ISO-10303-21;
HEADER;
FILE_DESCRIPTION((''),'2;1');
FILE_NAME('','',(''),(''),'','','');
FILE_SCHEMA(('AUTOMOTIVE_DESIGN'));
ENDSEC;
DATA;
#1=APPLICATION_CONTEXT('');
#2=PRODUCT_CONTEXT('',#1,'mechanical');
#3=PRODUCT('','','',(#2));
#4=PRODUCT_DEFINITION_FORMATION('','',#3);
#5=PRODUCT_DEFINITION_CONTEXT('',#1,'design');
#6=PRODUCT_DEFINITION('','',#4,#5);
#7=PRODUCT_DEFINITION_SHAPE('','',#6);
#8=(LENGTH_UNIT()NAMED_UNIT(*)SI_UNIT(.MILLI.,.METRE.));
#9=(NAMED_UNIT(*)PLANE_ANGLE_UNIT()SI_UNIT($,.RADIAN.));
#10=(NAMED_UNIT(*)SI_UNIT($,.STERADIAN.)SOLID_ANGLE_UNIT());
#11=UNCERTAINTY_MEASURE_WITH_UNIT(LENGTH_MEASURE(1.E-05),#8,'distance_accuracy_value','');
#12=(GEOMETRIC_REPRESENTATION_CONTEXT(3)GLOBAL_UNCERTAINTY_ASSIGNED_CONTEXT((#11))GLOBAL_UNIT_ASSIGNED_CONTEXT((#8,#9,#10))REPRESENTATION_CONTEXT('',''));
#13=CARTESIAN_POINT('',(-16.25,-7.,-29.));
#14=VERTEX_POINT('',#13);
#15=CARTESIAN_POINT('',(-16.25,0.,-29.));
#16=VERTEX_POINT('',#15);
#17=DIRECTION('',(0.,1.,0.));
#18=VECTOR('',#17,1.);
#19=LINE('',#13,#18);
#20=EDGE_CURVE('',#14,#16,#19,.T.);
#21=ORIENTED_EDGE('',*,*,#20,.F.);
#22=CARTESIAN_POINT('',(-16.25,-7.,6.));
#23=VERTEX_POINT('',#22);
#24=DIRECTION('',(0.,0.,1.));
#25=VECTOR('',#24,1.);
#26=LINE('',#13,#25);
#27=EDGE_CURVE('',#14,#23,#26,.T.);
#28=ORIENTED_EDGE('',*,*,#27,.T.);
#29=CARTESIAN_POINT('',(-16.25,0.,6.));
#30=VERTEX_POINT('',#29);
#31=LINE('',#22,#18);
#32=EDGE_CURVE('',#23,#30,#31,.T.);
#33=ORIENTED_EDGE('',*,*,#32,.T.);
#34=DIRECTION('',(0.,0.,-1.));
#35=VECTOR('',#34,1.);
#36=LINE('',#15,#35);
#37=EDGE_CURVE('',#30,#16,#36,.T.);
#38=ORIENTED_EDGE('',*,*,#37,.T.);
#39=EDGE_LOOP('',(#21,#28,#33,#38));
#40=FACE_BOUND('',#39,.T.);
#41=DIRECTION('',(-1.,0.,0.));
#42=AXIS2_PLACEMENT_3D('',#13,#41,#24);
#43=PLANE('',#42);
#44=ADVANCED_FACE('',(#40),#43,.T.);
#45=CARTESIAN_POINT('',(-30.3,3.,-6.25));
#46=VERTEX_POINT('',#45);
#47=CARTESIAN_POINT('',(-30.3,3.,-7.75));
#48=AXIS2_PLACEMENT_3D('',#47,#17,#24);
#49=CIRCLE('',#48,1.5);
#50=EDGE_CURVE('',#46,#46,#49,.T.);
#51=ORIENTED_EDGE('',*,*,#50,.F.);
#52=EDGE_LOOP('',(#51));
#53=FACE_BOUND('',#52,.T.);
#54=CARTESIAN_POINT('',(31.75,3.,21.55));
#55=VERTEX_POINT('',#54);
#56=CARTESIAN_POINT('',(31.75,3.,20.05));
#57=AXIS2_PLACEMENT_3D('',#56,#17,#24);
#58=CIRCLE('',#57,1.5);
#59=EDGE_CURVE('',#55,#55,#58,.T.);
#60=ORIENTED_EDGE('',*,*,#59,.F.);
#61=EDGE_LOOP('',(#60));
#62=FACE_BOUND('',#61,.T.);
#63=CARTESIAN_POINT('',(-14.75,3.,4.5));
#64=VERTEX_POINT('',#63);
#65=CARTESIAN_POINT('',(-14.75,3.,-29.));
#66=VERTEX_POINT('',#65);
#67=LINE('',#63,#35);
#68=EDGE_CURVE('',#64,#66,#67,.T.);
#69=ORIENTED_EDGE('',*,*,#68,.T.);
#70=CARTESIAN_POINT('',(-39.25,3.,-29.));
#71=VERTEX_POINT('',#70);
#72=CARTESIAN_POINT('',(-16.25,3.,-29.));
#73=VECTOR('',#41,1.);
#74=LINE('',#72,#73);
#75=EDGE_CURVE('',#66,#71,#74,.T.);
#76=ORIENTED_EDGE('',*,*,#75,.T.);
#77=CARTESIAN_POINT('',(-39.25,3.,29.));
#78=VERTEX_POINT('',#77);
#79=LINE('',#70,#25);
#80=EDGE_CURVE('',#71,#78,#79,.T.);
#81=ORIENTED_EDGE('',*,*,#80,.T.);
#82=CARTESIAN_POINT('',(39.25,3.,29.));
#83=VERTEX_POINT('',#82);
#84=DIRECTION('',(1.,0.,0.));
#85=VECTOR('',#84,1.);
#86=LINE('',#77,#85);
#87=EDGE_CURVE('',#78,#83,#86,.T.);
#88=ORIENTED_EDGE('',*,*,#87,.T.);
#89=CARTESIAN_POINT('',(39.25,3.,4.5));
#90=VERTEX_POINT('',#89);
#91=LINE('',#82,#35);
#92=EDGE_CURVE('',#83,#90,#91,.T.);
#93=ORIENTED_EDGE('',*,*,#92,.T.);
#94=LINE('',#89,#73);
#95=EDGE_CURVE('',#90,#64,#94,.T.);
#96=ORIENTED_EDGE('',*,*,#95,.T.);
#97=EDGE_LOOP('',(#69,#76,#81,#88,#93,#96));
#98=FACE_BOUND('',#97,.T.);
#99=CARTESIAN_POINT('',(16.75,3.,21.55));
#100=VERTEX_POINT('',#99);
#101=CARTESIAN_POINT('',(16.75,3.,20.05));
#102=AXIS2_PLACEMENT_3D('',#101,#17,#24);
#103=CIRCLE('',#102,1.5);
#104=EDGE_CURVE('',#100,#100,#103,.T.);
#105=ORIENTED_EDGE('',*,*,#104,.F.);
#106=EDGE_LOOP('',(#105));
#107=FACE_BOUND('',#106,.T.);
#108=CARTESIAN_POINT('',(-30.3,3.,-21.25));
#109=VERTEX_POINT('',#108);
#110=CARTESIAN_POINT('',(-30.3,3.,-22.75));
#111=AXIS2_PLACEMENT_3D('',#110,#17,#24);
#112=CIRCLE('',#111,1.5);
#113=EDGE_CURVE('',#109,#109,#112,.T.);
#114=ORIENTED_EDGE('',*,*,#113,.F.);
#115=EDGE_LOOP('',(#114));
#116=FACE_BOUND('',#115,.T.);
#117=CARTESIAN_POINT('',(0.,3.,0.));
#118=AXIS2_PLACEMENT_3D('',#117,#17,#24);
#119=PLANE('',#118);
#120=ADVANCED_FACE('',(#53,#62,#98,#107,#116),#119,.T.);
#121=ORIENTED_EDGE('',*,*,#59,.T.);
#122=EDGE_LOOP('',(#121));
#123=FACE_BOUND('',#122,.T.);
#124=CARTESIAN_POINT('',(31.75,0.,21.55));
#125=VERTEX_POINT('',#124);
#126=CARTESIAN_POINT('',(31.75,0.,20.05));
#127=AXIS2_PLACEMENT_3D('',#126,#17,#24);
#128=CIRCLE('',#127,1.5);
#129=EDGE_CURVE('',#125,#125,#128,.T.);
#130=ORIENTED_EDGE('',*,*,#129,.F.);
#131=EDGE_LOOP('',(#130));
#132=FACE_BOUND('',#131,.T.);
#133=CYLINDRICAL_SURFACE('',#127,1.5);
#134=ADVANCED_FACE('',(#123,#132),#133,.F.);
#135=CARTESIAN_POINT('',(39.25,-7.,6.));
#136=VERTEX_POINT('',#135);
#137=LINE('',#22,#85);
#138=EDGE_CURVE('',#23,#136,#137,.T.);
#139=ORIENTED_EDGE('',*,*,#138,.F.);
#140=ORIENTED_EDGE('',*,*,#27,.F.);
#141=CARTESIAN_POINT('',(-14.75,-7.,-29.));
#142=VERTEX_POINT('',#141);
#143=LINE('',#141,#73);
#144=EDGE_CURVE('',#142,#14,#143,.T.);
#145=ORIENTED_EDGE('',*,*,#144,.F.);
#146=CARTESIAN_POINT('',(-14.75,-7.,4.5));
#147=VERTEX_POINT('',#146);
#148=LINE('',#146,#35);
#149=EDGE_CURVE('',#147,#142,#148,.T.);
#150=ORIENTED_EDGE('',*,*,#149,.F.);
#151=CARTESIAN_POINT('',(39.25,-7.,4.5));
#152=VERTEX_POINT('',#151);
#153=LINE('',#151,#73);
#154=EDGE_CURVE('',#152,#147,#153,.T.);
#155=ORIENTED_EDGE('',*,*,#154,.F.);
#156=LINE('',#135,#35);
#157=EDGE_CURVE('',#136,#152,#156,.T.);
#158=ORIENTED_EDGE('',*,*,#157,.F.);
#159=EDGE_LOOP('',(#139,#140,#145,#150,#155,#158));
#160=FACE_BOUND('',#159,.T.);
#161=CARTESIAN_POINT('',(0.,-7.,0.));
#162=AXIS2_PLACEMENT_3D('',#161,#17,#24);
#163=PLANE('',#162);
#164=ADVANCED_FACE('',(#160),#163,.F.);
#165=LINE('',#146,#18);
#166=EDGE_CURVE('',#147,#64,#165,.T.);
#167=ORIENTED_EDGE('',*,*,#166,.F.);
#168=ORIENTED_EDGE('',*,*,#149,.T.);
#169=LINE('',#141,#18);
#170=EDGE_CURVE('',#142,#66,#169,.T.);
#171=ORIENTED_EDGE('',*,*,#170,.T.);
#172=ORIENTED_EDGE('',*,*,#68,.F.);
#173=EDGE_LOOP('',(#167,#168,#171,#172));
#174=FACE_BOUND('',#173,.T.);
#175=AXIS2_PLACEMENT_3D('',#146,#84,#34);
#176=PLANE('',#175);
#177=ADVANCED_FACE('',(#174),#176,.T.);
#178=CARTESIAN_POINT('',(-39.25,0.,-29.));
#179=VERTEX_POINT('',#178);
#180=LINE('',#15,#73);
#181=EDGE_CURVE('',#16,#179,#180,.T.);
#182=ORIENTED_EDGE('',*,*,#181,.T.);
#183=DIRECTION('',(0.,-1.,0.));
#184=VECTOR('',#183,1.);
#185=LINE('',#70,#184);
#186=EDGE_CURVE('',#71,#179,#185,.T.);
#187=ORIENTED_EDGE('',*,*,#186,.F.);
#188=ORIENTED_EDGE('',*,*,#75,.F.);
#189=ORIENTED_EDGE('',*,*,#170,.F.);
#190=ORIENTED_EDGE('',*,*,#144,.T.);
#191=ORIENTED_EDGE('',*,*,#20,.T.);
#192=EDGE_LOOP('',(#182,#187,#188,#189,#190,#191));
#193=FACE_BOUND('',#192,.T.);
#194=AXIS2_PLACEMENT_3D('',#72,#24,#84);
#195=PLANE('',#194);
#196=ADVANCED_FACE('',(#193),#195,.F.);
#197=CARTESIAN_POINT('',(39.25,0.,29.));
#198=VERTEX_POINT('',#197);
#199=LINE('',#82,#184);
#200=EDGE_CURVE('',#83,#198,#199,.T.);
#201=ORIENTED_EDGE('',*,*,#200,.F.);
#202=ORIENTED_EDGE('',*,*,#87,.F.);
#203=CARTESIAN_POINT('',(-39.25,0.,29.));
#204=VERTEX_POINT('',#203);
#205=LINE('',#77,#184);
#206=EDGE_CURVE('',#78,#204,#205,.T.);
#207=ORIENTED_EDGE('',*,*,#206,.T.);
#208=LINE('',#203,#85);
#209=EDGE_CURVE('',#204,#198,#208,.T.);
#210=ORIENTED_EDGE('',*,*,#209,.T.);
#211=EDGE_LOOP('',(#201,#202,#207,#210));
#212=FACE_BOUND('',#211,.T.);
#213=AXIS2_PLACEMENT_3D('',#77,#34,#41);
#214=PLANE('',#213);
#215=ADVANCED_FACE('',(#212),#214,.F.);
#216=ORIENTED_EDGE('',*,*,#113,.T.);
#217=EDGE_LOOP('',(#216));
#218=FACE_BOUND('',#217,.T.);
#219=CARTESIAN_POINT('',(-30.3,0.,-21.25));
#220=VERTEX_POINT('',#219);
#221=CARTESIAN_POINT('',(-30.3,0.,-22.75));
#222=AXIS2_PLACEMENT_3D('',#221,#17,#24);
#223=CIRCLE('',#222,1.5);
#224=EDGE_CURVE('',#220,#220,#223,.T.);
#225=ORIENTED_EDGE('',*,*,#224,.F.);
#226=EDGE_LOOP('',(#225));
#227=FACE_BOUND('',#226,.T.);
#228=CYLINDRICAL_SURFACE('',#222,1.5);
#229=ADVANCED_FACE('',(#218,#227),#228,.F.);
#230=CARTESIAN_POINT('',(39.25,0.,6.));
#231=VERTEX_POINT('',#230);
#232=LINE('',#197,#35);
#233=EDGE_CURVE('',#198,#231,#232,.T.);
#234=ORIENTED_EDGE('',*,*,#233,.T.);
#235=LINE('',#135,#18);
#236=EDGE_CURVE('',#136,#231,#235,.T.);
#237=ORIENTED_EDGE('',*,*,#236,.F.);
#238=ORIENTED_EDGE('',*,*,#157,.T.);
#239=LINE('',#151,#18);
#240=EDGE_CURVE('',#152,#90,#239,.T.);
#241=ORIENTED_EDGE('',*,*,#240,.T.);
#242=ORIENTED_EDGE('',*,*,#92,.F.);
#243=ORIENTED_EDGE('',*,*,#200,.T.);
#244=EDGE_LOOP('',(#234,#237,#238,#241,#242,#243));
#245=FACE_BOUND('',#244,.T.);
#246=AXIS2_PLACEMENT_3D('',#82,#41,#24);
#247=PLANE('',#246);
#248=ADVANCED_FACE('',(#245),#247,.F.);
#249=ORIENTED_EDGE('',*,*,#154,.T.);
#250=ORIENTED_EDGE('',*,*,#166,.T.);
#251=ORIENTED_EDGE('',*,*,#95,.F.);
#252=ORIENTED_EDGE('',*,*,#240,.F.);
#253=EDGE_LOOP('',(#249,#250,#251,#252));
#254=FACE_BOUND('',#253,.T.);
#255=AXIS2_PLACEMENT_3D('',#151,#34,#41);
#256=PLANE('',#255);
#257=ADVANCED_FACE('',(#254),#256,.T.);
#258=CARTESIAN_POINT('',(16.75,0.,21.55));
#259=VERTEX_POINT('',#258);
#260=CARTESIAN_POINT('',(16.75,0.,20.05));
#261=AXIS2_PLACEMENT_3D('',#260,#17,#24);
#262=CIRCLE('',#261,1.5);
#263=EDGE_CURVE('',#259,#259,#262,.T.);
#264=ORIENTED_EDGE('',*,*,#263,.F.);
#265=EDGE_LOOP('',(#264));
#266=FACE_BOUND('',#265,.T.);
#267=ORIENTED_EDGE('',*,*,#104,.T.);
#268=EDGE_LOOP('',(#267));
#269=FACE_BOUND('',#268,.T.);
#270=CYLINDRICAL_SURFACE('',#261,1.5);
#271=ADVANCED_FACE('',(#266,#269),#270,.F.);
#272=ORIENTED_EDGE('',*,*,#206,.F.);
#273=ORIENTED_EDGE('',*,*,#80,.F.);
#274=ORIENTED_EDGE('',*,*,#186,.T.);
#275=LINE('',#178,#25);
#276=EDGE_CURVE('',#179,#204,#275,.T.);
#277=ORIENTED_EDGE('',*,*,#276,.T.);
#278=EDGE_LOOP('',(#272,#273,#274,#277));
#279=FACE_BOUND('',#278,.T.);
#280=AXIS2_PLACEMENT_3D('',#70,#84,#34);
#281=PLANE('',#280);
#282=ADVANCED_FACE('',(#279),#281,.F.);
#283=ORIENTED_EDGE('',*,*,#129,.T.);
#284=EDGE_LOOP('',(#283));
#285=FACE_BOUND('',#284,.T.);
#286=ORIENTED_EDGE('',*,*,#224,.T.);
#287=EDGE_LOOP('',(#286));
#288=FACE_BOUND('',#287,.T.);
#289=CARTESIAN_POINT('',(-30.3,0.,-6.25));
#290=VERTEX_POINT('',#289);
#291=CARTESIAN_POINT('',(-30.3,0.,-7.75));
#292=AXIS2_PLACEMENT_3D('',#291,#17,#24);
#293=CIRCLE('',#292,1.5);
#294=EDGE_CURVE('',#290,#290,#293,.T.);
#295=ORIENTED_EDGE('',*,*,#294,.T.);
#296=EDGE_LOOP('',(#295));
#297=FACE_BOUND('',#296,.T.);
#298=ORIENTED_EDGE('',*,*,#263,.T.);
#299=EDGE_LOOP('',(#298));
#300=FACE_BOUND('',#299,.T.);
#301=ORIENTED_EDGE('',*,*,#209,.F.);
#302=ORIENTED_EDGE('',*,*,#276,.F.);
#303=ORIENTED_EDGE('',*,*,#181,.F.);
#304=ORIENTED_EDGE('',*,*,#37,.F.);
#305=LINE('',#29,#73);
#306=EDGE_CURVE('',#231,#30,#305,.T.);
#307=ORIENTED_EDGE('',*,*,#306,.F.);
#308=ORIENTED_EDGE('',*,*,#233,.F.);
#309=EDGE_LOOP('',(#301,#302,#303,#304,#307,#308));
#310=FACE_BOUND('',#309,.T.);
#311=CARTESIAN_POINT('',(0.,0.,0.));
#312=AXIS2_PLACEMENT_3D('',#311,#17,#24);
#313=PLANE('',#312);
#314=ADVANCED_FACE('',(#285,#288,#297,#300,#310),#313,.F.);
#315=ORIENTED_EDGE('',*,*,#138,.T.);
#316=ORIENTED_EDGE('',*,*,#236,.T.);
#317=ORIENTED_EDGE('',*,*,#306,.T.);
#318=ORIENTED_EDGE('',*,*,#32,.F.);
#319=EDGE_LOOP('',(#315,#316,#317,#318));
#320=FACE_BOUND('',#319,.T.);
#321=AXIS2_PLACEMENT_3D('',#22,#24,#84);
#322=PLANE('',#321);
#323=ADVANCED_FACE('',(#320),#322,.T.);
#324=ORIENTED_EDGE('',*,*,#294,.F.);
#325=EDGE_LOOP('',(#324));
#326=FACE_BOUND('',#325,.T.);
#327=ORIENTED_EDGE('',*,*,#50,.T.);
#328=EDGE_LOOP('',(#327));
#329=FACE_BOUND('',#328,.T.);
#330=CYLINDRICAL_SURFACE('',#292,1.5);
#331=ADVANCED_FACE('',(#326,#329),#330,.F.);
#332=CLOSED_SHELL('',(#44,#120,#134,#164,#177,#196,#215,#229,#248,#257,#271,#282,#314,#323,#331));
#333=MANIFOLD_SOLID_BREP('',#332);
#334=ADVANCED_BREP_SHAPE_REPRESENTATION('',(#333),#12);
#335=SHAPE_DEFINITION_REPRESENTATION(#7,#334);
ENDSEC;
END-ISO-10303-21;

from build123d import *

# Parameters (mm, degrees)
SALIENTE_EXTRUIR1_DEPTH = 3
CROQUIS2_R              = 1.5
CORTAR_EXTRUIR2_DEPTH   = 4
SALIENTE_EXTRUIR2_DEPTH = 10


with BuildPart() as part:
    # Croquis1 → Saliente-Extruir1 (new body)
    with BuildSketch(Plane(origin=(0, 0, 0), x_dir=(1, 0, 0), z_dir=(0, 1, 0))):
        Polygon((-16.25, 29), (-16.25, -6), (39.25, -6), (39.25, -29), (-39.25, -29), (-39.25, 29), align=None)
    extrude(amount=SALIENTE_EXTRUIR1_DEPTH)

    # Croquis2 → Cortar-Extruir2 (cut, through all)
    with BuildSketch(Plane(origin=(0, 3, 0), x_dir=(1, 0, 0), z_dir=(0, 1, 0))):
        with Locations((31.75, -20.05)):
            Circle(CROQUIS2_R)
        with Locations((16.75, -20.05)):
            Circle(CROQUIS2_R)
        with Locations((-30.3, 22.75)):
            Circle(CROQUIS2_R)
        with Locations((-30.3, 7.75)):
            Circle(CROQUIS2_R)
    extrude(amount=-CORTAR_EXTRUIR2_DEPTH, mode=Mode.SUBTRACT)

    # Croquis3 → Saliente-Extruir2 (add)
    with BuildSketch(Plane(origin=(0, 3, 0), x_dir=(1, 0, 0), z_dir=(0, 1, 0))):
        Polygon((-16.25, 29), (-16.25, -6), (39.25, -6), (39.25, -4.5), (-14.75, -4.5), (-14.75, 29), align=None)
    extrude(amount=-SALIENTE_EXTRUIR2_DEPTH)


solid = part.part
